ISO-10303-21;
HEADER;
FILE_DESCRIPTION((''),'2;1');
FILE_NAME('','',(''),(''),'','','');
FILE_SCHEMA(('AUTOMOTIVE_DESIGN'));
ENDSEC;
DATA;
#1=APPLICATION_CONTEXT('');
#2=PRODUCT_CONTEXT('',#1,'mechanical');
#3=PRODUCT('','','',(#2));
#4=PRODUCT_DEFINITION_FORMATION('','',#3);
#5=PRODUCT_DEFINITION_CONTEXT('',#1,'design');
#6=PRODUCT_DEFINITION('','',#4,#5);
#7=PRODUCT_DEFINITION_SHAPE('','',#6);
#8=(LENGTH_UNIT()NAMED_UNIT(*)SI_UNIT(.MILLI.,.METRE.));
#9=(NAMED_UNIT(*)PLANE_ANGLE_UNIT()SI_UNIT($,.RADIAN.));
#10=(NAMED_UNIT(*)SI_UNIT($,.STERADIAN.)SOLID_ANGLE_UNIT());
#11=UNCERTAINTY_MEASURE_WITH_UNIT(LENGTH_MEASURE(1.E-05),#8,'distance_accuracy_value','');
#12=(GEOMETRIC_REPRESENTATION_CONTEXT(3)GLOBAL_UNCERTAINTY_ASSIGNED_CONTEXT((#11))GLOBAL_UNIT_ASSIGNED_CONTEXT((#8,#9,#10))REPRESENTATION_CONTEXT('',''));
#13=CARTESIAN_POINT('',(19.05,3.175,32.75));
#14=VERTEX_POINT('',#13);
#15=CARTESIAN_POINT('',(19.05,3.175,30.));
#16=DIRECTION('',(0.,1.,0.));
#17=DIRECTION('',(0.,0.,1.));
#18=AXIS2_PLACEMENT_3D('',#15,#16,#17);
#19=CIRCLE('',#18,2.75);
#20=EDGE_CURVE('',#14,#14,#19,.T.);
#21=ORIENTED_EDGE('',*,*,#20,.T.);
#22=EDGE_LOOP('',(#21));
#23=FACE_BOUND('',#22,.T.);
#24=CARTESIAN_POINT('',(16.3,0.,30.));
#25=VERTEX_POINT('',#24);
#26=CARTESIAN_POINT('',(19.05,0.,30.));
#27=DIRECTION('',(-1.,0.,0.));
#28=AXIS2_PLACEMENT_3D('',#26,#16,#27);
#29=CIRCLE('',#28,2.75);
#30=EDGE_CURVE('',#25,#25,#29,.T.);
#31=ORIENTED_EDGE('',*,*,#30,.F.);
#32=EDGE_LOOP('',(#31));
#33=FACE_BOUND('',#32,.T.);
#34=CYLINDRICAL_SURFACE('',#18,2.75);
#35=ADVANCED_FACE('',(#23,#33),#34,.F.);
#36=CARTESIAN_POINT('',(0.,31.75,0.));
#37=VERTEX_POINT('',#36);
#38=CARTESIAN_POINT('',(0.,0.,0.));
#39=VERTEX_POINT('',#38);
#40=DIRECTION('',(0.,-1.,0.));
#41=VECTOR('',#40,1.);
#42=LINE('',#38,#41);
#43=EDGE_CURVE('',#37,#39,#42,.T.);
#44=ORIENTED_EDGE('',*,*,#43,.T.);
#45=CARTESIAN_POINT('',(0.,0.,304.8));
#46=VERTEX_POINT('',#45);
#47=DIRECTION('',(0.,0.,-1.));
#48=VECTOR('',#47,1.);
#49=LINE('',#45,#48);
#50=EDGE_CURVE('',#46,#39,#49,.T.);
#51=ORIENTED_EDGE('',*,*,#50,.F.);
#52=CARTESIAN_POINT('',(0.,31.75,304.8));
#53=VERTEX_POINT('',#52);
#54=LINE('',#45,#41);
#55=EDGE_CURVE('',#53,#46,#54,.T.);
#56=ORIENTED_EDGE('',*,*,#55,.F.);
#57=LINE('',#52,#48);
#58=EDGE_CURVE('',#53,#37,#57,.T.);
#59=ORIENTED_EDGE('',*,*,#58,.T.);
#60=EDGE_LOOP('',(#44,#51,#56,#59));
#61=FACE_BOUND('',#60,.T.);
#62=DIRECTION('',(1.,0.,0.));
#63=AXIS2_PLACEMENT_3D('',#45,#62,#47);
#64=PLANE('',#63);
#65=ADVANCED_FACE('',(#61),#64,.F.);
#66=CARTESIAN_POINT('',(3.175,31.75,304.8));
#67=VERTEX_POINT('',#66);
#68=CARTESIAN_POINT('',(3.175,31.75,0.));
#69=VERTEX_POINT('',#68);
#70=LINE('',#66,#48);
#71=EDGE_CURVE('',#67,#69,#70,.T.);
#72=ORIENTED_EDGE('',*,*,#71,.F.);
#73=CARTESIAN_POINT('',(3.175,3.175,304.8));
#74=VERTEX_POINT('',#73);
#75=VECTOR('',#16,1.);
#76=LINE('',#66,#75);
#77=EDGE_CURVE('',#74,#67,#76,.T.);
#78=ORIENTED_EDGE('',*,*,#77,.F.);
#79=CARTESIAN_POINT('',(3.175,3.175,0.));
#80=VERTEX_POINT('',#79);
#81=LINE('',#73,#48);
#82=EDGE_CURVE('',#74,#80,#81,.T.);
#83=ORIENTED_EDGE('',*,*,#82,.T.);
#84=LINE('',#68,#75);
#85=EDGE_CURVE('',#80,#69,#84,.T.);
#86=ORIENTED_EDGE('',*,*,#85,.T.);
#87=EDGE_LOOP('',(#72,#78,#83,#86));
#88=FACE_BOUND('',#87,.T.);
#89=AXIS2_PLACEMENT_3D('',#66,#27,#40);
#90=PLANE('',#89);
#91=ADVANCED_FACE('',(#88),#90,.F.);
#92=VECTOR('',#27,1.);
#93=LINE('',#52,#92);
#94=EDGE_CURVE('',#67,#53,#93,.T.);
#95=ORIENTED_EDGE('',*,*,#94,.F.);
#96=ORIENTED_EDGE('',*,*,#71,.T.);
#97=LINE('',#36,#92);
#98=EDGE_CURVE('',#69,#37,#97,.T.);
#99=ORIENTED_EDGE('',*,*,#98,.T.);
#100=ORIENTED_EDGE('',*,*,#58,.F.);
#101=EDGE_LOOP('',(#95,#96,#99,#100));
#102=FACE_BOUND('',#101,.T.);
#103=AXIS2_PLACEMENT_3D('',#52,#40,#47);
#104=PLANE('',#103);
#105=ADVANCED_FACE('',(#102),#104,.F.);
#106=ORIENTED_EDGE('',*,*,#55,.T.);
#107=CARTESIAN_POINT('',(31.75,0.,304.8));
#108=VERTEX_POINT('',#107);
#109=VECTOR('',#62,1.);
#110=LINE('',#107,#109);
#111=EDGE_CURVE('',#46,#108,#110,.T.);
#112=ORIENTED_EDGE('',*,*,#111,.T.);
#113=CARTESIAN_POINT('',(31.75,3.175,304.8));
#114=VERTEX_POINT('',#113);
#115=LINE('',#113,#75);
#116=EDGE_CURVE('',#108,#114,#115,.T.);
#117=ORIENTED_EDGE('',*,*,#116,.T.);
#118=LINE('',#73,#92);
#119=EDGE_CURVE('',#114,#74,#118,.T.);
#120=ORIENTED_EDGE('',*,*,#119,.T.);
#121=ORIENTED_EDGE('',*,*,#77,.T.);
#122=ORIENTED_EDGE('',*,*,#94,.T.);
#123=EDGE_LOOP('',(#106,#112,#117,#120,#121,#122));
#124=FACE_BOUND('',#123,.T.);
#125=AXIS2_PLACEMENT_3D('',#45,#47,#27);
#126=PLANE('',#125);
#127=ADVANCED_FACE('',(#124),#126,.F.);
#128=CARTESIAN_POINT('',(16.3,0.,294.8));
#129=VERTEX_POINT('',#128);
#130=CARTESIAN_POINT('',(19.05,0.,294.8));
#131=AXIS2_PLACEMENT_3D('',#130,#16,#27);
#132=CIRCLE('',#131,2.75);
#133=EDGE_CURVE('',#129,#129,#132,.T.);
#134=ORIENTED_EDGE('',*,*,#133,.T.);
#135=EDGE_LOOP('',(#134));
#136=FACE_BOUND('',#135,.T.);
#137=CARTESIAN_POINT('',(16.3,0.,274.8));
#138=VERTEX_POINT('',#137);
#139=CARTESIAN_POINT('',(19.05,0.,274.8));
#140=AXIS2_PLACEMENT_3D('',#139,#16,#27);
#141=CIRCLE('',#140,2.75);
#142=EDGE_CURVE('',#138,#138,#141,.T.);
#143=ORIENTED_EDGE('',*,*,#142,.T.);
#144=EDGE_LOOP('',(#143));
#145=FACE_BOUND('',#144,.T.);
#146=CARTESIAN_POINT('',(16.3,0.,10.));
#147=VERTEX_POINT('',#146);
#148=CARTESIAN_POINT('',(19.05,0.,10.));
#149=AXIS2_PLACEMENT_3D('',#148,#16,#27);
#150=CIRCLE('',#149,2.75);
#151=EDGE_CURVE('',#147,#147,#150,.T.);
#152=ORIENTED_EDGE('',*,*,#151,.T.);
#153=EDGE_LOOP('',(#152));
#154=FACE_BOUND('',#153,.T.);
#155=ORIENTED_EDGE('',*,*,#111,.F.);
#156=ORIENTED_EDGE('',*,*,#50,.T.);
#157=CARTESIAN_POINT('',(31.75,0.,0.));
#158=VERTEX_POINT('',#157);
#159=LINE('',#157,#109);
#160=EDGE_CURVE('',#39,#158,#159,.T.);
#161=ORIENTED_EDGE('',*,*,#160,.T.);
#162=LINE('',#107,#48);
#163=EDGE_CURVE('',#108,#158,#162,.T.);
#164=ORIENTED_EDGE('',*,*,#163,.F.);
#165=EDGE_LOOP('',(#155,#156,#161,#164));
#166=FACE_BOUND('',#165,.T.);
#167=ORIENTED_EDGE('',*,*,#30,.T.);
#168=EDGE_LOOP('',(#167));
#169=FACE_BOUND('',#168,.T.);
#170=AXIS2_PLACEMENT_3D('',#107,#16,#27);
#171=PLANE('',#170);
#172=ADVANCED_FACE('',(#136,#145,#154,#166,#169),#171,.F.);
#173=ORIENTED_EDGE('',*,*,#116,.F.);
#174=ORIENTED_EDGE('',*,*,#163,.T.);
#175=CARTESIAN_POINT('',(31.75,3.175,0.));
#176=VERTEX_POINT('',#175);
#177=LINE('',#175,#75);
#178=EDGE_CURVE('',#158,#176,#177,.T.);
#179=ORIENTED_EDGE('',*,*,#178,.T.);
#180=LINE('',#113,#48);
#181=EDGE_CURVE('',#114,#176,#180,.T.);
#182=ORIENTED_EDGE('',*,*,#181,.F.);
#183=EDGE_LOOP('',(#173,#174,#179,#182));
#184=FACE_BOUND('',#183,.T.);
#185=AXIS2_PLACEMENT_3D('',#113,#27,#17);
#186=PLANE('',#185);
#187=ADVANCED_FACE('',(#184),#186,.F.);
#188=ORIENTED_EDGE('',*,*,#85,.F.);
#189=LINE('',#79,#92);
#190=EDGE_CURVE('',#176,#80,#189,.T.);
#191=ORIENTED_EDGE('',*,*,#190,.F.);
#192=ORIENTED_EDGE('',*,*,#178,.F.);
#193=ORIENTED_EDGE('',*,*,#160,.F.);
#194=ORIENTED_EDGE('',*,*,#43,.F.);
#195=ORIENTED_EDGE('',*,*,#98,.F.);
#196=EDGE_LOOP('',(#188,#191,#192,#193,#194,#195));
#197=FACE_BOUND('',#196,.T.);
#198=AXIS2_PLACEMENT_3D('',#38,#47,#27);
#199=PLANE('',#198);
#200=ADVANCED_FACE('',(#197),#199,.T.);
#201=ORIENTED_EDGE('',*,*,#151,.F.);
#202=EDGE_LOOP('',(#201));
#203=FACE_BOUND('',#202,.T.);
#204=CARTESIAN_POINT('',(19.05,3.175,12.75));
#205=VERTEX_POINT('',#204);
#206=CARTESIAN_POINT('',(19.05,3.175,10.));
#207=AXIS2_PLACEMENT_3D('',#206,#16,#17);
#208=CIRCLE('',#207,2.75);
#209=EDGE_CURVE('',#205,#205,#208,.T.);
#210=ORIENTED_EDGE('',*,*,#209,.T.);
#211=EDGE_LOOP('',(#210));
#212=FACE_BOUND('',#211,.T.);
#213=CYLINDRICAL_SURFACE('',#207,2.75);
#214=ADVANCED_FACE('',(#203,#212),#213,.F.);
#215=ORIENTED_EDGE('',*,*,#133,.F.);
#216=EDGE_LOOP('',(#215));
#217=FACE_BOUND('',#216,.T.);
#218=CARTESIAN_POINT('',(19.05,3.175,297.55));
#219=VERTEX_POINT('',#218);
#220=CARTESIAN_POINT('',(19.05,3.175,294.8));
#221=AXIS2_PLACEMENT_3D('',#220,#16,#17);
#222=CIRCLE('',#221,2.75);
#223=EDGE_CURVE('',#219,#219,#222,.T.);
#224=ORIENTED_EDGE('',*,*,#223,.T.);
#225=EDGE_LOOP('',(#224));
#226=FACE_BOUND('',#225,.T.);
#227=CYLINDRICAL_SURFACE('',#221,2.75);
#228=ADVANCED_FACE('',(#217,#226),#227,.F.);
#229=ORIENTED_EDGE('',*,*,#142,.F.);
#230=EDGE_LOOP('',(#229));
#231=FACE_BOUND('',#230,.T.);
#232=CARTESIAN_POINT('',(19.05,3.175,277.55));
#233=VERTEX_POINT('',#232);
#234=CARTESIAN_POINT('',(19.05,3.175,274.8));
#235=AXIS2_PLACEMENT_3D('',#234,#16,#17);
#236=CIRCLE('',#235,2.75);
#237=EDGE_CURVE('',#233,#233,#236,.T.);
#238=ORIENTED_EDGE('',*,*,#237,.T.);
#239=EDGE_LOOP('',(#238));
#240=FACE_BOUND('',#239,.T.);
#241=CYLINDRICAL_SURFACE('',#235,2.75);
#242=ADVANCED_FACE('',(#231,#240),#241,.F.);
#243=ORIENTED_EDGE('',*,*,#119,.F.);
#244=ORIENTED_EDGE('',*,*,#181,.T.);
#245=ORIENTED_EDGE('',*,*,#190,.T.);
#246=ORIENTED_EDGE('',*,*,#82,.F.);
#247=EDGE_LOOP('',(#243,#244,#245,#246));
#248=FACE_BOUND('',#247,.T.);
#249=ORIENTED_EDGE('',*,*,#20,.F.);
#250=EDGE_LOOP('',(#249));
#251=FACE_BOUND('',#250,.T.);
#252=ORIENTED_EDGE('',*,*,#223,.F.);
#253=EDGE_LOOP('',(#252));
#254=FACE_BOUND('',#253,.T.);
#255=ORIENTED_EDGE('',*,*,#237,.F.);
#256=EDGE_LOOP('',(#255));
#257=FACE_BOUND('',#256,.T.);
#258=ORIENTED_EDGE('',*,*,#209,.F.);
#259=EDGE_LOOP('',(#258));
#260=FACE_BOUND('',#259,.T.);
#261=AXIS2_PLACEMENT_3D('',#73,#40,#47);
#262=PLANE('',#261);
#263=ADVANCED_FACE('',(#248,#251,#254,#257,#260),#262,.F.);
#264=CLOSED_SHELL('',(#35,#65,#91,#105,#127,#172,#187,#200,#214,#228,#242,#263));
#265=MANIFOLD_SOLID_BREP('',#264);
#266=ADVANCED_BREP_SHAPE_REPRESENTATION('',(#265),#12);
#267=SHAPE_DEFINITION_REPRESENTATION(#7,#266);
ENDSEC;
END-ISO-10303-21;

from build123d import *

# Parameters (mm, degrees)
BOSS_EXTRUDE1_DEPTH      = 304.8
M5_CLEARANCE_HOLE1_D     = 5.5
M5_CLEARANCE_HOLE1_DEPTH = 25.4
M5_CLEARANCE_HOLE1_TIP   = 1.652366702


with BuildPart() as part:
    # Sketch1 → Boss-Extrude1 (new body)
    with BuildSketch(Plane.XY):
        Polygon((0, 0), (0, 31.75), (3.175, 31.75), (3.175, 3.175), (31.75, 3.175), (31.75, 0), align=None)
    extrude(amount=BOSS_EXTRUDE1_DEPTH)

    # M5 Clearance Hole1
    with Locations(Plane(origin=(0, 3.175, 0), x_dir=(1, 0, 0), z_dir=(0, 1, 0))):
        with Locations((19.05, -10), (19.05, -294.8), (19.05, -30), (19.05, -274.8)):
            Hole(M5_CLEARANCE_HOLE1_D / 2, depth=M5_CLEARANCE_HOLE1_DEPTH)
            with Locations((0, 0, -(M5_CLEARANCE_HOLE1_DEPTH + M5_CLEARANCE_HOLE1_TIP / 2))):  # 118° drill point
                Cone(0, M5_CLEARANCE_HOLE1_D / 2, M5_CLEARANCE_HOLE1_TIP, mode=Mode.SUBTRACT)


solid = part.part
